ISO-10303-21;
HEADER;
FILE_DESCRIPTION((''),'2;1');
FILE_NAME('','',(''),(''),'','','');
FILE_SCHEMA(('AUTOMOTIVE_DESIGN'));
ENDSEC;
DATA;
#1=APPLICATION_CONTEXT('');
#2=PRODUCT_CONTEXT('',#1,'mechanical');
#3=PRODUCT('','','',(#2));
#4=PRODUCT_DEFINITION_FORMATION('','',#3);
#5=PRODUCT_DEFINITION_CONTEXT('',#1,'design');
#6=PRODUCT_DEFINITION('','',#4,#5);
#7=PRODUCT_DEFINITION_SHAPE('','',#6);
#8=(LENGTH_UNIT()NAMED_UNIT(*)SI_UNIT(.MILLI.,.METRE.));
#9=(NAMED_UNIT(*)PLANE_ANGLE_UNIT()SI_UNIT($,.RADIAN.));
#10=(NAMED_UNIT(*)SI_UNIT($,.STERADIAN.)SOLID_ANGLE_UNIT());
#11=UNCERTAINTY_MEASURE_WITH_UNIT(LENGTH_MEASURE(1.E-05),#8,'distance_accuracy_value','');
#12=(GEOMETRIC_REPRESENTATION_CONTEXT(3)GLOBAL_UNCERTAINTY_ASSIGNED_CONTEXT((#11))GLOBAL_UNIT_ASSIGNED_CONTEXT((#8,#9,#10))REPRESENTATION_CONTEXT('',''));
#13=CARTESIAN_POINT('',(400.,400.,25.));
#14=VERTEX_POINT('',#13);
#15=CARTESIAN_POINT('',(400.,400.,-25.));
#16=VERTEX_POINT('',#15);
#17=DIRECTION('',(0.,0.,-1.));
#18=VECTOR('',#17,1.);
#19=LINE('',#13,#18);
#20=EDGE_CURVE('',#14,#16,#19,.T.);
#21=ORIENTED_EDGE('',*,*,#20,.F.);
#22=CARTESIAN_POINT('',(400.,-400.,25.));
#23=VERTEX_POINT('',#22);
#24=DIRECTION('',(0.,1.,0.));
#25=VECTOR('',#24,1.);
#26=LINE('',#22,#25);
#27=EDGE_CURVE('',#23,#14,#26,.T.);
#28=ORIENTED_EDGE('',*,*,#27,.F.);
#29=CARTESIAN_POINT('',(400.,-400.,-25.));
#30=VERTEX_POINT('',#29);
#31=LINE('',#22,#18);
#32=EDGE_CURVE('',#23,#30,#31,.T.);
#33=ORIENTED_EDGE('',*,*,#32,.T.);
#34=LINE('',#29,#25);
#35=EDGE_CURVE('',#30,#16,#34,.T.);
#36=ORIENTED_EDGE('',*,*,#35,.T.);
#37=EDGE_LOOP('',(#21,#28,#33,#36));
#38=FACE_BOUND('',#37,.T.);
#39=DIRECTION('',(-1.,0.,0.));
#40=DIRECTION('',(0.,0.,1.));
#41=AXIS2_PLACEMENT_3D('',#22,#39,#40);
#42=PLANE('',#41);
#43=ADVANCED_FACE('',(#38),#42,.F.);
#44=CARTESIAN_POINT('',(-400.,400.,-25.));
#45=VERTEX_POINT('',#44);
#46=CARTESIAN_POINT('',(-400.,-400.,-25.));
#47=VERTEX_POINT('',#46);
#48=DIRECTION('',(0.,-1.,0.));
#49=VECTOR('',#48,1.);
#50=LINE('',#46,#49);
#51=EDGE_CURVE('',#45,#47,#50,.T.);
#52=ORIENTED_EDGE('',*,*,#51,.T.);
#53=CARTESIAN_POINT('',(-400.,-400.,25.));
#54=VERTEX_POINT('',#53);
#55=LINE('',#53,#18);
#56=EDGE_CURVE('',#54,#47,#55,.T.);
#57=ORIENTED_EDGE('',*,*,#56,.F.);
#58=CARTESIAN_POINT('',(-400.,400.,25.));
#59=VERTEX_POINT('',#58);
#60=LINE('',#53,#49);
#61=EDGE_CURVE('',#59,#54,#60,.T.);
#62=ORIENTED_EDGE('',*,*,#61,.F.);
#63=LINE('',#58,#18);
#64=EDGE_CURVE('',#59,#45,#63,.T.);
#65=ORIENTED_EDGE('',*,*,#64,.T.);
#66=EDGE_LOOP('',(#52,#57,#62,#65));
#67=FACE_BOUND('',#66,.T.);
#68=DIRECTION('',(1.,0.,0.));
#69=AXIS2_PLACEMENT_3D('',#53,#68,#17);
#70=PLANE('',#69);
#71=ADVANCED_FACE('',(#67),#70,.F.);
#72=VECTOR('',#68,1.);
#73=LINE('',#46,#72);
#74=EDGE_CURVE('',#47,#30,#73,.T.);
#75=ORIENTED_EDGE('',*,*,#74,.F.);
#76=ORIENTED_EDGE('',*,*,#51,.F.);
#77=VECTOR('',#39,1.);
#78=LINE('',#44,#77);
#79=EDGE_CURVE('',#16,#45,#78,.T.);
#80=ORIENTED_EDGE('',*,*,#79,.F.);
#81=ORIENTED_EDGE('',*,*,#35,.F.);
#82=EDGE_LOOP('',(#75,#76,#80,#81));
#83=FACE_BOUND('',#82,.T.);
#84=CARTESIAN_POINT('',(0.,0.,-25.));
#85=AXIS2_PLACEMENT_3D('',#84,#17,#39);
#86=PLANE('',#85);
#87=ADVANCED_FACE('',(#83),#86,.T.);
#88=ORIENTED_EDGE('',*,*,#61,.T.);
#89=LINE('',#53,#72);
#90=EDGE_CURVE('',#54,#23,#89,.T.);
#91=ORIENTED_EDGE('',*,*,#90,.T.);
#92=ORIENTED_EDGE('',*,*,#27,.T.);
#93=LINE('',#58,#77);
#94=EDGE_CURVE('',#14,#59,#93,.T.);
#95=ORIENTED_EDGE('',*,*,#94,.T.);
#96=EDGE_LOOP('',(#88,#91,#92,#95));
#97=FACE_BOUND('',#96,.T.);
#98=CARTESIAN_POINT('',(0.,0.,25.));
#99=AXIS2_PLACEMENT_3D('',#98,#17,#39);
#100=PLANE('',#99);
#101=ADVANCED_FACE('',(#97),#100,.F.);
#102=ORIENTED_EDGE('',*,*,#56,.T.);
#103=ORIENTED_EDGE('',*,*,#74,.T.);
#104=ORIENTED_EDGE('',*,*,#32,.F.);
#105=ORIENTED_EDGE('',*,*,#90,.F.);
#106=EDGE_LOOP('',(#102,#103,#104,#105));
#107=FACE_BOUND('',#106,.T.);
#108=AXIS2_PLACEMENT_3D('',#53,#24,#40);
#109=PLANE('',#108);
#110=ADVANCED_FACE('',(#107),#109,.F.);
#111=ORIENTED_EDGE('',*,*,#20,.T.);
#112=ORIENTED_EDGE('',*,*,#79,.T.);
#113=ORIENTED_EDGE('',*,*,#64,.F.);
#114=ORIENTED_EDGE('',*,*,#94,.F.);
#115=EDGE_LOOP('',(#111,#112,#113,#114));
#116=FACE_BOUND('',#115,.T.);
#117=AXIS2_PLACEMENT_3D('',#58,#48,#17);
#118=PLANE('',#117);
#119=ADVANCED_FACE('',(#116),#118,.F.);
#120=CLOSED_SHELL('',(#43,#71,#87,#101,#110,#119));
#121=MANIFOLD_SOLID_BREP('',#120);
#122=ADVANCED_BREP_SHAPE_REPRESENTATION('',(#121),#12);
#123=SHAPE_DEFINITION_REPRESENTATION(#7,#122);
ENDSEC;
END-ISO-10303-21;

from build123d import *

# Parameters (mm, degrees)
SKETCH_1_W      = 800
SKETCH_1_H      = 800
EXTRUDE_1_DEPTH = 25


with BuildPart() as part:
    # Эскиз1 → Бобышка-Вытянуть1 (new, symmetric)
    with BuildSketch(Plane.XY):
        Rectangle(SKETCH_1_W, SKETCH_1_H)
    extrude(amount=EXTRUDE_1_DEPTH, both=True)


solid = part.part
